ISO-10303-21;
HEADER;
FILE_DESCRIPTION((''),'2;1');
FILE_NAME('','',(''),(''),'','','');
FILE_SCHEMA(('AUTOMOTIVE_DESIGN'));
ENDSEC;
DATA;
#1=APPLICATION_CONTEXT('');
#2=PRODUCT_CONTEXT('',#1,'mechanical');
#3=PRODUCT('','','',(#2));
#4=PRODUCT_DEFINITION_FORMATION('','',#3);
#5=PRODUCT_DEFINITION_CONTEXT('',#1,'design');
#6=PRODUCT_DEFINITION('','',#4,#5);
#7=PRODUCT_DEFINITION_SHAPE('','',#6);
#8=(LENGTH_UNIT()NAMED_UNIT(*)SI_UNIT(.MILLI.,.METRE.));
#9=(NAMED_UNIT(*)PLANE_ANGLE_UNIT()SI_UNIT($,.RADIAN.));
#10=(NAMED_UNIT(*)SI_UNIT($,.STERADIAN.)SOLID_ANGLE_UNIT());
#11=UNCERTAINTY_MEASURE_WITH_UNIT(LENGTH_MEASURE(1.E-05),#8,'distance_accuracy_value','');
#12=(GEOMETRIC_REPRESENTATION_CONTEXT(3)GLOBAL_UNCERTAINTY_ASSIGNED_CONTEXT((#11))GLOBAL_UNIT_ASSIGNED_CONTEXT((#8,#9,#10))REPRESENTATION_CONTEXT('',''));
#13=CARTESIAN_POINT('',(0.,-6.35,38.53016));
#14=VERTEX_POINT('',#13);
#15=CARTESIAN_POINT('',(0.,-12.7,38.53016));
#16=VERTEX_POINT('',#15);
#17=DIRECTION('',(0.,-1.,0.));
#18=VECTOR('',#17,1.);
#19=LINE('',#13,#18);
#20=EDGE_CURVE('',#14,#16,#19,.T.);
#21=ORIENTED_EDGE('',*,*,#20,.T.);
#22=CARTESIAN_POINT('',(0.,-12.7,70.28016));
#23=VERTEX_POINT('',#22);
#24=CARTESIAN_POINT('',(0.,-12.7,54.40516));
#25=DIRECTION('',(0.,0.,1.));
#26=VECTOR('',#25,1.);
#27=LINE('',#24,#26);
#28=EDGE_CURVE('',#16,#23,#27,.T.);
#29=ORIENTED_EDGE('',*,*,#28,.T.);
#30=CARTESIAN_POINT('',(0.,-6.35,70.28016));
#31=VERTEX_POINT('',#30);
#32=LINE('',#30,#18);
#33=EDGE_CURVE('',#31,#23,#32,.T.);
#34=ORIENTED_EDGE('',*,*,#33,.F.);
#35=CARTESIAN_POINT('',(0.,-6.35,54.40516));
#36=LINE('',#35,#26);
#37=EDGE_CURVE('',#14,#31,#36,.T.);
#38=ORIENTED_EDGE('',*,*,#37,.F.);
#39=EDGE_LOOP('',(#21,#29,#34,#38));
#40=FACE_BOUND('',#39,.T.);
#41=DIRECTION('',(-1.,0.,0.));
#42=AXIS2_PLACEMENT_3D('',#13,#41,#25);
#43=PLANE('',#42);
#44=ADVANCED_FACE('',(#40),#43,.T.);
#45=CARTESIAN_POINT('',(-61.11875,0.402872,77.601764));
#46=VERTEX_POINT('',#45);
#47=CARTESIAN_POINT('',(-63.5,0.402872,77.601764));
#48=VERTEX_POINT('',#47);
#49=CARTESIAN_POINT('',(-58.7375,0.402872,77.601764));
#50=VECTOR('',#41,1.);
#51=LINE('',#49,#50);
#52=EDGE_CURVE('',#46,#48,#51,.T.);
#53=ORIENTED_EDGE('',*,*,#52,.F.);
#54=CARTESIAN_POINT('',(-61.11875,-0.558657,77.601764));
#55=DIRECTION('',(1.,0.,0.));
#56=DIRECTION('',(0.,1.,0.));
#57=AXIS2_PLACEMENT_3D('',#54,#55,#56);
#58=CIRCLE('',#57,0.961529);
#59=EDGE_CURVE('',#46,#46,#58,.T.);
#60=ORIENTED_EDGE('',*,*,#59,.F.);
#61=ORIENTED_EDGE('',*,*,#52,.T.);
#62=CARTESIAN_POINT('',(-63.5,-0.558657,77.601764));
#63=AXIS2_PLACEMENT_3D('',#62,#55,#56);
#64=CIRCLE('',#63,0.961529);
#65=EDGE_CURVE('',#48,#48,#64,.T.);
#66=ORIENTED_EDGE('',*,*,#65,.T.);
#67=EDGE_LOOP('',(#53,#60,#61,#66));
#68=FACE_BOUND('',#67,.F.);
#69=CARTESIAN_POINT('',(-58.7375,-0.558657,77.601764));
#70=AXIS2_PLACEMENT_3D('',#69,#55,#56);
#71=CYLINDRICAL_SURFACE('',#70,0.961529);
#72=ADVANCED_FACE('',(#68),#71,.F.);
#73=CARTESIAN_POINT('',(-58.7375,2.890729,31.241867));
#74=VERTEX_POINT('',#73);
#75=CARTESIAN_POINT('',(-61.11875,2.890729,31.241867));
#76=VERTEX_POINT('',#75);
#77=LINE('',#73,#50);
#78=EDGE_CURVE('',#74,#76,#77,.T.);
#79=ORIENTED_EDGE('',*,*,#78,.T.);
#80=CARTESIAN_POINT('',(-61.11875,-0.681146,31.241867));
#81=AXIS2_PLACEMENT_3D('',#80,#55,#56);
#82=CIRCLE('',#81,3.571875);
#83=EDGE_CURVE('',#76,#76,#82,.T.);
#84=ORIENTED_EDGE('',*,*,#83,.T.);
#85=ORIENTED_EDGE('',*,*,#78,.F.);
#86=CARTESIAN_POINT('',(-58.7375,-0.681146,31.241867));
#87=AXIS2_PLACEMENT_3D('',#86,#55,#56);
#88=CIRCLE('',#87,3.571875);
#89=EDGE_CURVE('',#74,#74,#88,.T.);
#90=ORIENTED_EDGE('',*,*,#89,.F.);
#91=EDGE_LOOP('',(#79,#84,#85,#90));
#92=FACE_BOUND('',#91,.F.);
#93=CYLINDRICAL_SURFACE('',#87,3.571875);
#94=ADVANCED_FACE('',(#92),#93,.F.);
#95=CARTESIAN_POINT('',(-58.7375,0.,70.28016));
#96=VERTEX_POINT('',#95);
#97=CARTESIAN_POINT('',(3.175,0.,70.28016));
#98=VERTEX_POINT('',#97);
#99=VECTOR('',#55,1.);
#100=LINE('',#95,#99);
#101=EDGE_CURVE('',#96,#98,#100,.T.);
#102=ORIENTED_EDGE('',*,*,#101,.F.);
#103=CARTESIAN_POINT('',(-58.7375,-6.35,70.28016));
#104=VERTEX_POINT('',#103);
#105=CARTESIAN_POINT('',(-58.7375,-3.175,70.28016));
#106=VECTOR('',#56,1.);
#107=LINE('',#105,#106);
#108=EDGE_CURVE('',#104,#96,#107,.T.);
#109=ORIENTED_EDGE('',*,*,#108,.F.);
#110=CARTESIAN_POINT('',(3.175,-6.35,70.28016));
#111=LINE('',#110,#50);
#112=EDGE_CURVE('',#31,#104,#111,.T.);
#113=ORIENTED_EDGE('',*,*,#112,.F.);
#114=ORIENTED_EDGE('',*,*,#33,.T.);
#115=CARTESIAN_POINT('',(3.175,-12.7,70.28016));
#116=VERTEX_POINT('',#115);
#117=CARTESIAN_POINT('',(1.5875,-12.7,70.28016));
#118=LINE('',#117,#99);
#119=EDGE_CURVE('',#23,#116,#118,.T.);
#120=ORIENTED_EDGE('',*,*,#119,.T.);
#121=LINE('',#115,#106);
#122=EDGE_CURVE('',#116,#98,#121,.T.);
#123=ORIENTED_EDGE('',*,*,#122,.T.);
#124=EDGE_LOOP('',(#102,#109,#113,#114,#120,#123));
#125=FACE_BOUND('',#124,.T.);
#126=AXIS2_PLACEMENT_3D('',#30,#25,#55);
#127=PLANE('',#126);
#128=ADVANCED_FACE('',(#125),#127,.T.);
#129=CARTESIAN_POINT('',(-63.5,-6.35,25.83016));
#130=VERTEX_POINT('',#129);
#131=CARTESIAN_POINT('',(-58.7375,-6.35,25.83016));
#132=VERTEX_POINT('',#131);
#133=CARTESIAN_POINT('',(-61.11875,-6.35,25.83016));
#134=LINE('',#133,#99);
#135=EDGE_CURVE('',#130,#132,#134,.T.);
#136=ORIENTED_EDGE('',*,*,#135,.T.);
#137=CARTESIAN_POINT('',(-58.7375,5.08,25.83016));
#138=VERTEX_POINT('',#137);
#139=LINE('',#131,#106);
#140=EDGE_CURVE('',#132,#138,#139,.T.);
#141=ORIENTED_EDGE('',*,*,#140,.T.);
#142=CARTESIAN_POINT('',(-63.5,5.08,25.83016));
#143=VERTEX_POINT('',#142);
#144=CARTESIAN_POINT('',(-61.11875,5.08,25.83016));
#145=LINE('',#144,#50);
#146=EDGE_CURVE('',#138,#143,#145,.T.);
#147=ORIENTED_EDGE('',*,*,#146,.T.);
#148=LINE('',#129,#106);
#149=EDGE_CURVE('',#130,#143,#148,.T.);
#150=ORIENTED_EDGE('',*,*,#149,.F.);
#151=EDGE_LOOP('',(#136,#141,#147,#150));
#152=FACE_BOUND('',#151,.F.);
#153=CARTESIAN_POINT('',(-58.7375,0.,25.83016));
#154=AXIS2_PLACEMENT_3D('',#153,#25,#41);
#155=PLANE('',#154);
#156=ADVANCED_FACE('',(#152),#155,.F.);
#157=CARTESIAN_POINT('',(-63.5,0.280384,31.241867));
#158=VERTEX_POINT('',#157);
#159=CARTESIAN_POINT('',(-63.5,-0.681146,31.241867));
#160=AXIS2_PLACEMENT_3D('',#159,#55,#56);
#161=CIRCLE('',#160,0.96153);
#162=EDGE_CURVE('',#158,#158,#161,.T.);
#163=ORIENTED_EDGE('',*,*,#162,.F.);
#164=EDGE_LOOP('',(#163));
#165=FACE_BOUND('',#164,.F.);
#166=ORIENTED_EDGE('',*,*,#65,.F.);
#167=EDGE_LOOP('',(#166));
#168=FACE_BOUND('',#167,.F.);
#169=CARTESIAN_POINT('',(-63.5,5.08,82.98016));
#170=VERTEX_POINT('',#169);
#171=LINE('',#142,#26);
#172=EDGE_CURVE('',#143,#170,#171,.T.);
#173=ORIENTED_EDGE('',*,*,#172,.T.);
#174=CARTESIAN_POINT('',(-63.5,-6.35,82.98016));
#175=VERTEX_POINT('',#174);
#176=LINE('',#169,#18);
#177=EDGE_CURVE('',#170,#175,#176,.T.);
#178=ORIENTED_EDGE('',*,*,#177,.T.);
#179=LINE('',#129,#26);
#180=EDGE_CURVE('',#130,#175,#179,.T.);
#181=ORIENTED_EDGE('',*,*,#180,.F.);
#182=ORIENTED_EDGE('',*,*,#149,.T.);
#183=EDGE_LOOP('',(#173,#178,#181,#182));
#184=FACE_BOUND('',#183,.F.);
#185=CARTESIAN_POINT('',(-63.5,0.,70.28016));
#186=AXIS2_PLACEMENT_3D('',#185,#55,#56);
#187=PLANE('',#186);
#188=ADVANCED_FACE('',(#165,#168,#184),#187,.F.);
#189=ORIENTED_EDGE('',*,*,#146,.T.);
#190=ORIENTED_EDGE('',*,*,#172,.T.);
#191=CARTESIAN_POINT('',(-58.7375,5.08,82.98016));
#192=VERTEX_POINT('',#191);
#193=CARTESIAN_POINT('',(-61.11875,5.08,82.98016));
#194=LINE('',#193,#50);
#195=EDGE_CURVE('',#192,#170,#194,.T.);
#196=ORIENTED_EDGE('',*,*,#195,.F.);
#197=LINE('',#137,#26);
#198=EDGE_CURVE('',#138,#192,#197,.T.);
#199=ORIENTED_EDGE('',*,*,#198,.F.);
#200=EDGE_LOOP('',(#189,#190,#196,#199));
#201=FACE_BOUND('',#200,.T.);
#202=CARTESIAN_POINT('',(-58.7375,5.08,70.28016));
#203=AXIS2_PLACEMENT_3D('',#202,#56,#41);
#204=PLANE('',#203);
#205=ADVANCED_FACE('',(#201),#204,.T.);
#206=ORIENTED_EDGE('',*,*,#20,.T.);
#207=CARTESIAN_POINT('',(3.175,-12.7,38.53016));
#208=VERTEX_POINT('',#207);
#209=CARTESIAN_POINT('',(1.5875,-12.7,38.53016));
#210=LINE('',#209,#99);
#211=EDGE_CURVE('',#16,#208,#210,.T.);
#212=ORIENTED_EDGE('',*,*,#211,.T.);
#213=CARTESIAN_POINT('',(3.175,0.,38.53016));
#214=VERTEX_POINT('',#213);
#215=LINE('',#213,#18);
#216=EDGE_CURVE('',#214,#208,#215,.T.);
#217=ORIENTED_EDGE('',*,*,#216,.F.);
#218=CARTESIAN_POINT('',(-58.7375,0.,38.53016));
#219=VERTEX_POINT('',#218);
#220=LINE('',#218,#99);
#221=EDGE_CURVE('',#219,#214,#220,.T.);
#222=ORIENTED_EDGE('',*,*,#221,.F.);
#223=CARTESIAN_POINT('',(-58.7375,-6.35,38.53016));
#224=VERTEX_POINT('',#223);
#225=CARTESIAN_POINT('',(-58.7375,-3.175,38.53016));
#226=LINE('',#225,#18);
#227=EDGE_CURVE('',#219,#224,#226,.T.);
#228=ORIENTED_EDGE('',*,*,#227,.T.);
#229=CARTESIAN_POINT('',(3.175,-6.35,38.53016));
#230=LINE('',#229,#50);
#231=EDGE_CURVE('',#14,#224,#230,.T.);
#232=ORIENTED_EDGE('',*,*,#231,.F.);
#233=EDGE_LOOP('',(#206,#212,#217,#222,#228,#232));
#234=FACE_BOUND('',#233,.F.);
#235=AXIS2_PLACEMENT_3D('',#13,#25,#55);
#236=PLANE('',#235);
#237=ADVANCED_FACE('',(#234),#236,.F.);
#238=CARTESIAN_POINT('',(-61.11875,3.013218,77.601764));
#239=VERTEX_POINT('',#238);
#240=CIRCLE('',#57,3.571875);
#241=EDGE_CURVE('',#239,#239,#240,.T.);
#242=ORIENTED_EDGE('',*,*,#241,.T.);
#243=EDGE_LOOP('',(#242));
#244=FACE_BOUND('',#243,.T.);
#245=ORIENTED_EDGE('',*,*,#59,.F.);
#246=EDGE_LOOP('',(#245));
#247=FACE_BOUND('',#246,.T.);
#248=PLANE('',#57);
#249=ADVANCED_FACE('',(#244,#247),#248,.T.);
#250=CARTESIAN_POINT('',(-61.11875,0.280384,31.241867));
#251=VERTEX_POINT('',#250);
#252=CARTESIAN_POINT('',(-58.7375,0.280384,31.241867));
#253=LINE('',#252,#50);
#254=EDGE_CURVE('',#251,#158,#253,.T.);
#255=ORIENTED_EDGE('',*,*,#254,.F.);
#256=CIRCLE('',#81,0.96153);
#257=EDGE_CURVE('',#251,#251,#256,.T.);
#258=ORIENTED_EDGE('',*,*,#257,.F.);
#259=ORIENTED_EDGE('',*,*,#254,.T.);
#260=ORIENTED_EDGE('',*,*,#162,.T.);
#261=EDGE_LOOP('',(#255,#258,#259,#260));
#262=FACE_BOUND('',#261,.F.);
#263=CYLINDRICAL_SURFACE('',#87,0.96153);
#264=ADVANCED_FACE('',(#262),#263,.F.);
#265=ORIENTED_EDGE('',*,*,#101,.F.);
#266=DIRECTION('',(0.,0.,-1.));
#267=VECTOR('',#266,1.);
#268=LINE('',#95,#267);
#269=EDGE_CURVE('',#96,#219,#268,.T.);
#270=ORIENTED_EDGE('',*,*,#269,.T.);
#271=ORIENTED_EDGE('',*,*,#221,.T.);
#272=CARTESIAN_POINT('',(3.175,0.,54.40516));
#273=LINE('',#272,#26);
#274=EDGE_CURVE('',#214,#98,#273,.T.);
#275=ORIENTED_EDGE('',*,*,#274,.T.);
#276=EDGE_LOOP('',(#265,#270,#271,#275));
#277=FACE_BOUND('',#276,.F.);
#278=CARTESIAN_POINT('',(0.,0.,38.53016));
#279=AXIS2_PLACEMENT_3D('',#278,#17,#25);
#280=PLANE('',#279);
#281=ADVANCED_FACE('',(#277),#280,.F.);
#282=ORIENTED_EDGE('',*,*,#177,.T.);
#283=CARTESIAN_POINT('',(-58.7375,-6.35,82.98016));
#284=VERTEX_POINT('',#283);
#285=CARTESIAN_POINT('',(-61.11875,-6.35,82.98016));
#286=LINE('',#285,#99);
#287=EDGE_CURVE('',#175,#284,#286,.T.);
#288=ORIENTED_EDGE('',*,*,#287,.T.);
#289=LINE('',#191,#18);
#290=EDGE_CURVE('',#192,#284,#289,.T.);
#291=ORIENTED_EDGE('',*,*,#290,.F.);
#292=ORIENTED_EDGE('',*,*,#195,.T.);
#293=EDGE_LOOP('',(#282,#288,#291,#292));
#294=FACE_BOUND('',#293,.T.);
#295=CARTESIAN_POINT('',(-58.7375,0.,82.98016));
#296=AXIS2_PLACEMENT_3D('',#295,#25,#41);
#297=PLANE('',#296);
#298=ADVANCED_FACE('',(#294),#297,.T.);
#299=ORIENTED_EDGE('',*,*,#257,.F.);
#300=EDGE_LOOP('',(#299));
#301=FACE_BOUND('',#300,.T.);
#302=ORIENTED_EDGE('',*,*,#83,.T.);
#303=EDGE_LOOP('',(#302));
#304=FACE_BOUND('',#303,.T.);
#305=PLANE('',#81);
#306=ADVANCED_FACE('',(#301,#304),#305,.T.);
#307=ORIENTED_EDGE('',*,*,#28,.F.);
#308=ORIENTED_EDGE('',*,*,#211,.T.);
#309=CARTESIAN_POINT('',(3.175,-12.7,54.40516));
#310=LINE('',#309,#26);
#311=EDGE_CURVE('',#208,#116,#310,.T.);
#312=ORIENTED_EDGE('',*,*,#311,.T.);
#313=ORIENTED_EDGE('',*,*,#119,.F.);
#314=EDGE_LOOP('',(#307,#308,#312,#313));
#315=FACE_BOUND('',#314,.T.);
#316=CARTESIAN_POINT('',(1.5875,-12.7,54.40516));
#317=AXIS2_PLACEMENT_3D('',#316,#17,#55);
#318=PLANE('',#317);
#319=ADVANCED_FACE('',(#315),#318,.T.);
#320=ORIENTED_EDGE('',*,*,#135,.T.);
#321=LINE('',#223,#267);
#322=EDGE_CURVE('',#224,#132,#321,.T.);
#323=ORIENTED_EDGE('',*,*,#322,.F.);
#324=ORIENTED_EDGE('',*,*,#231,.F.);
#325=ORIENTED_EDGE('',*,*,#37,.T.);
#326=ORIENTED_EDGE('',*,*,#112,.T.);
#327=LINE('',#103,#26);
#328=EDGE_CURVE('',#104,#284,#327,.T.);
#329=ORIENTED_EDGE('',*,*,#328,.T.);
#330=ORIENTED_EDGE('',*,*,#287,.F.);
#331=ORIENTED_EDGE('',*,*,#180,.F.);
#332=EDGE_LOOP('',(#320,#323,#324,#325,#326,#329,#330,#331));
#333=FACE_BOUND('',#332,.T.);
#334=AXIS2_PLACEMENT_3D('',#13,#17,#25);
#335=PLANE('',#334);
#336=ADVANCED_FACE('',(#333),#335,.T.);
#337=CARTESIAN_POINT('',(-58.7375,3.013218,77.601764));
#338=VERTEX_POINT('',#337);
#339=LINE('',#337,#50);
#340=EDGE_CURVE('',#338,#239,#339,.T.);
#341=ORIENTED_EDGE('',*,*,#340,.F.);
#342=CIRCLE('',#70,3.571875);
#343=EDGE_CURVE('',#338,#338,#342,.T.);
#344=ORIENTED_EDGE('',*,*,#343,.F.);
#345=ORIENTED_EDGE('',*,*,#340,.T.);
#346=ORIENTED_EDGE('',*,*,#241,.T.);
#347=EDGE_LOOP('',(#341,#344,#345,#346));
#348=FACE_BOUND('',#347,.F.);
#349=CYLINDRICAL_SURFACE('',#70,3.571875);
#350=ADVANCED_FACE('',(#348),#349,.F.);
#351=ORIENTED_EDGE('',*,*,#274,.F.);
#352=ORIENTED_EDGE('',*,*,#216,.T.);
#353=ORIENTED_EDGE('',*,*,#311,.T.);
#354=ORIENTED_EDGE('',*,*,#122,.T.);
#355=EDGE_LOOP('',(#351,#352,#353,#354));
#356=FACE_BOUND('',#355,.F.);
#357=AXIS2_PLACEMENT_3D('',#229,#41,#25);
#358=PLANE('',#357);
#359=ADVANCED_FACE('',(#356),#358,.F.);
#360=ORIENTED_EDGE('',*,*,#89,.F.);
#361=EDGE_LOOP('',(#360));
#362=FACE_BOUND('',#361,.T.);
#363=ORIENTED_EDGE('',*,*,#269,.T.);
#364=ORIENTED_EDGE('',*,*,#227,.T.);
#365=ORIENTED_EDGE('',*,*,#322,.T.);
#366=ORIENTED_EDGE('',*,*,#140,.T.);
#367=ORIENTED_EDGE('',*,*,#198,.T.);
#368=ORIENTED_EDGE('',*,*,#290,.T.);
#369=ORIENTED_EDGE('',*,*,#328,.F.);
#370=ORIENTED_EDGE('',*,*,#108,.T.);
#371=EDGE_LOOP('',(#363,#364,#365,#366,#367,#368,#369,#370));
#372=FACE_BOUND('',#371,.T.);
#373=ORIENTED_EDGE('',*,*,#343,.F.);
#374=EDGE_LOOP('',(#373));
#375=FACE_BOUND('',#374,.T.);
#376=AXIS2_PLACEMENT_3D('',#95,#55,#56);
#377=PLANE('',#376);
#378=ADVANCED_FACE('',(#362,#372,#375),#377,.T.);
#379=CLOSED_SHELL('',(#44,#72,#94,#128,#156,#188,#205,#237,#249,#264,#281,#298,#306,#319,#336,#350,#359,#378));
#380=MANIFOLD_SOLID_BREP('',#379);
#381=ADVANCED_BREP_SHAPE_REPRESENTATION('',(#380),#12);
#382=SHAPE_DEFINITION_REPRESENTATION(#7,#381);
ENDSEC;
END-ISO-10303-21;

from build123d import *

# Parameters (mm, degrees)
F0_W      = 63.5
F0_H      = 31.75
F1_DEPTH  = 6.35
F2_W      = 4.7625
F2_H      = 6.35
F3_DEPTH  = 12.7
F4_W      = 4.7625
F4_H      = 6.35
F5_DEPTH  = 12.7
F6_W      = 4.7625
F6_H      = 12.7
F7_DEPTH  = 5.08
F8_R      = 3.571875
F8_R_2    = 0.9615286486
F9_DEPTH  = 2.38125
F10_DEPTH = 6.35
F11_W     = 4.7625
F11_H     = 12.7
F12_DEPTH = 5.08
F13_R     = 0.9615297
F14_DEPTH = 6.35
F13_R_2   = 3.571875
F15_DEPTH = 2.38125
F16_DEPTH = 31.75
F17_DEPTH = 3.175
F18_W     = 3.175
F18_H     = 31.75
F19_DEPTH = 6.35


with BuildPart() as f1:
    # F0 (on Front) → F1 (new body)
    with BuildSketch(Plane.XZ):
        with Locations((-31.75, 54.4051597416)):
            Rectangle(F0_W, F0_H)
    extrude(amount=F1_DEPTH)

    # F2 (on face) → F3 (join)
    with BuildSketch(Plane.XY.offset(70.2801597416)):
        with Locations((-61.11875, -3.175)):
            Rectangle(F2_W, F2_H)
    extrude(amount=F3_DEPTH)

    # F4 (on face) → F5 (join)
    with BuildSketch(Plane(origin=(0, 0, 38.5301597416), x_dir=(1, 0, 0), z_dir=(0, 0, -1))):
        with Locations((-61.11875, 3.175)):
            Rectangle(F4_W, F4_H)
    extrude(amount=F5_DEPTH)

    # F6 (on face) → F7 (join)
    with BuildSketch(Plane(origin=(0, 0, 0), x_dir=(-1, 0, 0), z_dir=(0, 1, 0))):
        with Locations((61.11875, 76.6301597416)):
            Rectangle(F6_W, F6_H)
    extrude(amount=F7_DEPTH)

    # F8 (on face) → F9 (cut)
    with BuildSketch(Plane.YZ.offset(-58.7375)):
        with Locations((-0.5586565495, 77.6017636912)):
            Circle(F8_R)
        with Locations((-0.5586565495, 77.6017636912)):
            Circle(F8_R_2, mode=Mode.SUBTRACT)
    extrude(amount=-F9_DEPTH, mode=Mode.SUBTRACT)

    # F8 (on face) → F10 (cut)
    with BuildSketch(Plane.YZ.offset(-58.7375)):
        with Locations((-0.5586565495, 77.6017636912)):
            Circle(F8_R_2)
    extrude(amount=-F10_DEPTH, mode=Mode.SUBTRACT)

    # F11 (on face) → F12 (join)
    with BuildSketch(Plane(origin=(0, 0, 0), x_dir=(-1, 0, 0), z_dir=(0, 1, 0))):
        with Locations((61.11875, 32.1801597416)):
            Rectangle(F11_W, F11_H)
    extrude(amount=F12_DEPTH)

    # F13 (on face) → F14 (cut)
    with BuildSketch(Plane.YZ.offset(-58.7375)):
        with Locations((-0.6811455784, 31.2418671489)):
            Circle(F13_R)
    extrude(amount=-F14_DEPTH, mode=Mode.SUBTRACT)

    # F13 (on face) → F15 (cut)
    with BuildSketch(Plane.YZ.offset(-58.7375)):
        with Locations((-0.6811455784, 31.2418671489)):
            Circle(F13_R_2)
        with Locations((-0.6811455784, 31.2418671489)):
            Circle(F13_R, mode=Mode.SUBTRACT)
    extrude(amount=-F15_DEPTH, mode=Mode.SUBTRACT)

    # F16 (add): a face of the model
    f16_faces = [f1.faces().sort_by_distance(p)[0] for p in [
        (-61.11875, 2.54, 70.2801597416),
    ]]
    extrude(f16_faces, amount=F16_DEPTH)

    # F17 (add): a face of the model
    f17_faces = [f1.faces().sort_by_distance(p)[0] for p in [
        (0, -3.175, 54.4051597416),
    ]]
    extrude(f17_faces, amount=F17_DEPTH)

    # F18 (on face) → F19 (join)
    with BuildSketch(Plane.XZ.offset(6.35)):
        with Locations((1.5875, 54.4051597416)):
            Rectangle(F18_W, F18_H)
    extrude(amount=F19_DEPTH)


solid = f1.part
